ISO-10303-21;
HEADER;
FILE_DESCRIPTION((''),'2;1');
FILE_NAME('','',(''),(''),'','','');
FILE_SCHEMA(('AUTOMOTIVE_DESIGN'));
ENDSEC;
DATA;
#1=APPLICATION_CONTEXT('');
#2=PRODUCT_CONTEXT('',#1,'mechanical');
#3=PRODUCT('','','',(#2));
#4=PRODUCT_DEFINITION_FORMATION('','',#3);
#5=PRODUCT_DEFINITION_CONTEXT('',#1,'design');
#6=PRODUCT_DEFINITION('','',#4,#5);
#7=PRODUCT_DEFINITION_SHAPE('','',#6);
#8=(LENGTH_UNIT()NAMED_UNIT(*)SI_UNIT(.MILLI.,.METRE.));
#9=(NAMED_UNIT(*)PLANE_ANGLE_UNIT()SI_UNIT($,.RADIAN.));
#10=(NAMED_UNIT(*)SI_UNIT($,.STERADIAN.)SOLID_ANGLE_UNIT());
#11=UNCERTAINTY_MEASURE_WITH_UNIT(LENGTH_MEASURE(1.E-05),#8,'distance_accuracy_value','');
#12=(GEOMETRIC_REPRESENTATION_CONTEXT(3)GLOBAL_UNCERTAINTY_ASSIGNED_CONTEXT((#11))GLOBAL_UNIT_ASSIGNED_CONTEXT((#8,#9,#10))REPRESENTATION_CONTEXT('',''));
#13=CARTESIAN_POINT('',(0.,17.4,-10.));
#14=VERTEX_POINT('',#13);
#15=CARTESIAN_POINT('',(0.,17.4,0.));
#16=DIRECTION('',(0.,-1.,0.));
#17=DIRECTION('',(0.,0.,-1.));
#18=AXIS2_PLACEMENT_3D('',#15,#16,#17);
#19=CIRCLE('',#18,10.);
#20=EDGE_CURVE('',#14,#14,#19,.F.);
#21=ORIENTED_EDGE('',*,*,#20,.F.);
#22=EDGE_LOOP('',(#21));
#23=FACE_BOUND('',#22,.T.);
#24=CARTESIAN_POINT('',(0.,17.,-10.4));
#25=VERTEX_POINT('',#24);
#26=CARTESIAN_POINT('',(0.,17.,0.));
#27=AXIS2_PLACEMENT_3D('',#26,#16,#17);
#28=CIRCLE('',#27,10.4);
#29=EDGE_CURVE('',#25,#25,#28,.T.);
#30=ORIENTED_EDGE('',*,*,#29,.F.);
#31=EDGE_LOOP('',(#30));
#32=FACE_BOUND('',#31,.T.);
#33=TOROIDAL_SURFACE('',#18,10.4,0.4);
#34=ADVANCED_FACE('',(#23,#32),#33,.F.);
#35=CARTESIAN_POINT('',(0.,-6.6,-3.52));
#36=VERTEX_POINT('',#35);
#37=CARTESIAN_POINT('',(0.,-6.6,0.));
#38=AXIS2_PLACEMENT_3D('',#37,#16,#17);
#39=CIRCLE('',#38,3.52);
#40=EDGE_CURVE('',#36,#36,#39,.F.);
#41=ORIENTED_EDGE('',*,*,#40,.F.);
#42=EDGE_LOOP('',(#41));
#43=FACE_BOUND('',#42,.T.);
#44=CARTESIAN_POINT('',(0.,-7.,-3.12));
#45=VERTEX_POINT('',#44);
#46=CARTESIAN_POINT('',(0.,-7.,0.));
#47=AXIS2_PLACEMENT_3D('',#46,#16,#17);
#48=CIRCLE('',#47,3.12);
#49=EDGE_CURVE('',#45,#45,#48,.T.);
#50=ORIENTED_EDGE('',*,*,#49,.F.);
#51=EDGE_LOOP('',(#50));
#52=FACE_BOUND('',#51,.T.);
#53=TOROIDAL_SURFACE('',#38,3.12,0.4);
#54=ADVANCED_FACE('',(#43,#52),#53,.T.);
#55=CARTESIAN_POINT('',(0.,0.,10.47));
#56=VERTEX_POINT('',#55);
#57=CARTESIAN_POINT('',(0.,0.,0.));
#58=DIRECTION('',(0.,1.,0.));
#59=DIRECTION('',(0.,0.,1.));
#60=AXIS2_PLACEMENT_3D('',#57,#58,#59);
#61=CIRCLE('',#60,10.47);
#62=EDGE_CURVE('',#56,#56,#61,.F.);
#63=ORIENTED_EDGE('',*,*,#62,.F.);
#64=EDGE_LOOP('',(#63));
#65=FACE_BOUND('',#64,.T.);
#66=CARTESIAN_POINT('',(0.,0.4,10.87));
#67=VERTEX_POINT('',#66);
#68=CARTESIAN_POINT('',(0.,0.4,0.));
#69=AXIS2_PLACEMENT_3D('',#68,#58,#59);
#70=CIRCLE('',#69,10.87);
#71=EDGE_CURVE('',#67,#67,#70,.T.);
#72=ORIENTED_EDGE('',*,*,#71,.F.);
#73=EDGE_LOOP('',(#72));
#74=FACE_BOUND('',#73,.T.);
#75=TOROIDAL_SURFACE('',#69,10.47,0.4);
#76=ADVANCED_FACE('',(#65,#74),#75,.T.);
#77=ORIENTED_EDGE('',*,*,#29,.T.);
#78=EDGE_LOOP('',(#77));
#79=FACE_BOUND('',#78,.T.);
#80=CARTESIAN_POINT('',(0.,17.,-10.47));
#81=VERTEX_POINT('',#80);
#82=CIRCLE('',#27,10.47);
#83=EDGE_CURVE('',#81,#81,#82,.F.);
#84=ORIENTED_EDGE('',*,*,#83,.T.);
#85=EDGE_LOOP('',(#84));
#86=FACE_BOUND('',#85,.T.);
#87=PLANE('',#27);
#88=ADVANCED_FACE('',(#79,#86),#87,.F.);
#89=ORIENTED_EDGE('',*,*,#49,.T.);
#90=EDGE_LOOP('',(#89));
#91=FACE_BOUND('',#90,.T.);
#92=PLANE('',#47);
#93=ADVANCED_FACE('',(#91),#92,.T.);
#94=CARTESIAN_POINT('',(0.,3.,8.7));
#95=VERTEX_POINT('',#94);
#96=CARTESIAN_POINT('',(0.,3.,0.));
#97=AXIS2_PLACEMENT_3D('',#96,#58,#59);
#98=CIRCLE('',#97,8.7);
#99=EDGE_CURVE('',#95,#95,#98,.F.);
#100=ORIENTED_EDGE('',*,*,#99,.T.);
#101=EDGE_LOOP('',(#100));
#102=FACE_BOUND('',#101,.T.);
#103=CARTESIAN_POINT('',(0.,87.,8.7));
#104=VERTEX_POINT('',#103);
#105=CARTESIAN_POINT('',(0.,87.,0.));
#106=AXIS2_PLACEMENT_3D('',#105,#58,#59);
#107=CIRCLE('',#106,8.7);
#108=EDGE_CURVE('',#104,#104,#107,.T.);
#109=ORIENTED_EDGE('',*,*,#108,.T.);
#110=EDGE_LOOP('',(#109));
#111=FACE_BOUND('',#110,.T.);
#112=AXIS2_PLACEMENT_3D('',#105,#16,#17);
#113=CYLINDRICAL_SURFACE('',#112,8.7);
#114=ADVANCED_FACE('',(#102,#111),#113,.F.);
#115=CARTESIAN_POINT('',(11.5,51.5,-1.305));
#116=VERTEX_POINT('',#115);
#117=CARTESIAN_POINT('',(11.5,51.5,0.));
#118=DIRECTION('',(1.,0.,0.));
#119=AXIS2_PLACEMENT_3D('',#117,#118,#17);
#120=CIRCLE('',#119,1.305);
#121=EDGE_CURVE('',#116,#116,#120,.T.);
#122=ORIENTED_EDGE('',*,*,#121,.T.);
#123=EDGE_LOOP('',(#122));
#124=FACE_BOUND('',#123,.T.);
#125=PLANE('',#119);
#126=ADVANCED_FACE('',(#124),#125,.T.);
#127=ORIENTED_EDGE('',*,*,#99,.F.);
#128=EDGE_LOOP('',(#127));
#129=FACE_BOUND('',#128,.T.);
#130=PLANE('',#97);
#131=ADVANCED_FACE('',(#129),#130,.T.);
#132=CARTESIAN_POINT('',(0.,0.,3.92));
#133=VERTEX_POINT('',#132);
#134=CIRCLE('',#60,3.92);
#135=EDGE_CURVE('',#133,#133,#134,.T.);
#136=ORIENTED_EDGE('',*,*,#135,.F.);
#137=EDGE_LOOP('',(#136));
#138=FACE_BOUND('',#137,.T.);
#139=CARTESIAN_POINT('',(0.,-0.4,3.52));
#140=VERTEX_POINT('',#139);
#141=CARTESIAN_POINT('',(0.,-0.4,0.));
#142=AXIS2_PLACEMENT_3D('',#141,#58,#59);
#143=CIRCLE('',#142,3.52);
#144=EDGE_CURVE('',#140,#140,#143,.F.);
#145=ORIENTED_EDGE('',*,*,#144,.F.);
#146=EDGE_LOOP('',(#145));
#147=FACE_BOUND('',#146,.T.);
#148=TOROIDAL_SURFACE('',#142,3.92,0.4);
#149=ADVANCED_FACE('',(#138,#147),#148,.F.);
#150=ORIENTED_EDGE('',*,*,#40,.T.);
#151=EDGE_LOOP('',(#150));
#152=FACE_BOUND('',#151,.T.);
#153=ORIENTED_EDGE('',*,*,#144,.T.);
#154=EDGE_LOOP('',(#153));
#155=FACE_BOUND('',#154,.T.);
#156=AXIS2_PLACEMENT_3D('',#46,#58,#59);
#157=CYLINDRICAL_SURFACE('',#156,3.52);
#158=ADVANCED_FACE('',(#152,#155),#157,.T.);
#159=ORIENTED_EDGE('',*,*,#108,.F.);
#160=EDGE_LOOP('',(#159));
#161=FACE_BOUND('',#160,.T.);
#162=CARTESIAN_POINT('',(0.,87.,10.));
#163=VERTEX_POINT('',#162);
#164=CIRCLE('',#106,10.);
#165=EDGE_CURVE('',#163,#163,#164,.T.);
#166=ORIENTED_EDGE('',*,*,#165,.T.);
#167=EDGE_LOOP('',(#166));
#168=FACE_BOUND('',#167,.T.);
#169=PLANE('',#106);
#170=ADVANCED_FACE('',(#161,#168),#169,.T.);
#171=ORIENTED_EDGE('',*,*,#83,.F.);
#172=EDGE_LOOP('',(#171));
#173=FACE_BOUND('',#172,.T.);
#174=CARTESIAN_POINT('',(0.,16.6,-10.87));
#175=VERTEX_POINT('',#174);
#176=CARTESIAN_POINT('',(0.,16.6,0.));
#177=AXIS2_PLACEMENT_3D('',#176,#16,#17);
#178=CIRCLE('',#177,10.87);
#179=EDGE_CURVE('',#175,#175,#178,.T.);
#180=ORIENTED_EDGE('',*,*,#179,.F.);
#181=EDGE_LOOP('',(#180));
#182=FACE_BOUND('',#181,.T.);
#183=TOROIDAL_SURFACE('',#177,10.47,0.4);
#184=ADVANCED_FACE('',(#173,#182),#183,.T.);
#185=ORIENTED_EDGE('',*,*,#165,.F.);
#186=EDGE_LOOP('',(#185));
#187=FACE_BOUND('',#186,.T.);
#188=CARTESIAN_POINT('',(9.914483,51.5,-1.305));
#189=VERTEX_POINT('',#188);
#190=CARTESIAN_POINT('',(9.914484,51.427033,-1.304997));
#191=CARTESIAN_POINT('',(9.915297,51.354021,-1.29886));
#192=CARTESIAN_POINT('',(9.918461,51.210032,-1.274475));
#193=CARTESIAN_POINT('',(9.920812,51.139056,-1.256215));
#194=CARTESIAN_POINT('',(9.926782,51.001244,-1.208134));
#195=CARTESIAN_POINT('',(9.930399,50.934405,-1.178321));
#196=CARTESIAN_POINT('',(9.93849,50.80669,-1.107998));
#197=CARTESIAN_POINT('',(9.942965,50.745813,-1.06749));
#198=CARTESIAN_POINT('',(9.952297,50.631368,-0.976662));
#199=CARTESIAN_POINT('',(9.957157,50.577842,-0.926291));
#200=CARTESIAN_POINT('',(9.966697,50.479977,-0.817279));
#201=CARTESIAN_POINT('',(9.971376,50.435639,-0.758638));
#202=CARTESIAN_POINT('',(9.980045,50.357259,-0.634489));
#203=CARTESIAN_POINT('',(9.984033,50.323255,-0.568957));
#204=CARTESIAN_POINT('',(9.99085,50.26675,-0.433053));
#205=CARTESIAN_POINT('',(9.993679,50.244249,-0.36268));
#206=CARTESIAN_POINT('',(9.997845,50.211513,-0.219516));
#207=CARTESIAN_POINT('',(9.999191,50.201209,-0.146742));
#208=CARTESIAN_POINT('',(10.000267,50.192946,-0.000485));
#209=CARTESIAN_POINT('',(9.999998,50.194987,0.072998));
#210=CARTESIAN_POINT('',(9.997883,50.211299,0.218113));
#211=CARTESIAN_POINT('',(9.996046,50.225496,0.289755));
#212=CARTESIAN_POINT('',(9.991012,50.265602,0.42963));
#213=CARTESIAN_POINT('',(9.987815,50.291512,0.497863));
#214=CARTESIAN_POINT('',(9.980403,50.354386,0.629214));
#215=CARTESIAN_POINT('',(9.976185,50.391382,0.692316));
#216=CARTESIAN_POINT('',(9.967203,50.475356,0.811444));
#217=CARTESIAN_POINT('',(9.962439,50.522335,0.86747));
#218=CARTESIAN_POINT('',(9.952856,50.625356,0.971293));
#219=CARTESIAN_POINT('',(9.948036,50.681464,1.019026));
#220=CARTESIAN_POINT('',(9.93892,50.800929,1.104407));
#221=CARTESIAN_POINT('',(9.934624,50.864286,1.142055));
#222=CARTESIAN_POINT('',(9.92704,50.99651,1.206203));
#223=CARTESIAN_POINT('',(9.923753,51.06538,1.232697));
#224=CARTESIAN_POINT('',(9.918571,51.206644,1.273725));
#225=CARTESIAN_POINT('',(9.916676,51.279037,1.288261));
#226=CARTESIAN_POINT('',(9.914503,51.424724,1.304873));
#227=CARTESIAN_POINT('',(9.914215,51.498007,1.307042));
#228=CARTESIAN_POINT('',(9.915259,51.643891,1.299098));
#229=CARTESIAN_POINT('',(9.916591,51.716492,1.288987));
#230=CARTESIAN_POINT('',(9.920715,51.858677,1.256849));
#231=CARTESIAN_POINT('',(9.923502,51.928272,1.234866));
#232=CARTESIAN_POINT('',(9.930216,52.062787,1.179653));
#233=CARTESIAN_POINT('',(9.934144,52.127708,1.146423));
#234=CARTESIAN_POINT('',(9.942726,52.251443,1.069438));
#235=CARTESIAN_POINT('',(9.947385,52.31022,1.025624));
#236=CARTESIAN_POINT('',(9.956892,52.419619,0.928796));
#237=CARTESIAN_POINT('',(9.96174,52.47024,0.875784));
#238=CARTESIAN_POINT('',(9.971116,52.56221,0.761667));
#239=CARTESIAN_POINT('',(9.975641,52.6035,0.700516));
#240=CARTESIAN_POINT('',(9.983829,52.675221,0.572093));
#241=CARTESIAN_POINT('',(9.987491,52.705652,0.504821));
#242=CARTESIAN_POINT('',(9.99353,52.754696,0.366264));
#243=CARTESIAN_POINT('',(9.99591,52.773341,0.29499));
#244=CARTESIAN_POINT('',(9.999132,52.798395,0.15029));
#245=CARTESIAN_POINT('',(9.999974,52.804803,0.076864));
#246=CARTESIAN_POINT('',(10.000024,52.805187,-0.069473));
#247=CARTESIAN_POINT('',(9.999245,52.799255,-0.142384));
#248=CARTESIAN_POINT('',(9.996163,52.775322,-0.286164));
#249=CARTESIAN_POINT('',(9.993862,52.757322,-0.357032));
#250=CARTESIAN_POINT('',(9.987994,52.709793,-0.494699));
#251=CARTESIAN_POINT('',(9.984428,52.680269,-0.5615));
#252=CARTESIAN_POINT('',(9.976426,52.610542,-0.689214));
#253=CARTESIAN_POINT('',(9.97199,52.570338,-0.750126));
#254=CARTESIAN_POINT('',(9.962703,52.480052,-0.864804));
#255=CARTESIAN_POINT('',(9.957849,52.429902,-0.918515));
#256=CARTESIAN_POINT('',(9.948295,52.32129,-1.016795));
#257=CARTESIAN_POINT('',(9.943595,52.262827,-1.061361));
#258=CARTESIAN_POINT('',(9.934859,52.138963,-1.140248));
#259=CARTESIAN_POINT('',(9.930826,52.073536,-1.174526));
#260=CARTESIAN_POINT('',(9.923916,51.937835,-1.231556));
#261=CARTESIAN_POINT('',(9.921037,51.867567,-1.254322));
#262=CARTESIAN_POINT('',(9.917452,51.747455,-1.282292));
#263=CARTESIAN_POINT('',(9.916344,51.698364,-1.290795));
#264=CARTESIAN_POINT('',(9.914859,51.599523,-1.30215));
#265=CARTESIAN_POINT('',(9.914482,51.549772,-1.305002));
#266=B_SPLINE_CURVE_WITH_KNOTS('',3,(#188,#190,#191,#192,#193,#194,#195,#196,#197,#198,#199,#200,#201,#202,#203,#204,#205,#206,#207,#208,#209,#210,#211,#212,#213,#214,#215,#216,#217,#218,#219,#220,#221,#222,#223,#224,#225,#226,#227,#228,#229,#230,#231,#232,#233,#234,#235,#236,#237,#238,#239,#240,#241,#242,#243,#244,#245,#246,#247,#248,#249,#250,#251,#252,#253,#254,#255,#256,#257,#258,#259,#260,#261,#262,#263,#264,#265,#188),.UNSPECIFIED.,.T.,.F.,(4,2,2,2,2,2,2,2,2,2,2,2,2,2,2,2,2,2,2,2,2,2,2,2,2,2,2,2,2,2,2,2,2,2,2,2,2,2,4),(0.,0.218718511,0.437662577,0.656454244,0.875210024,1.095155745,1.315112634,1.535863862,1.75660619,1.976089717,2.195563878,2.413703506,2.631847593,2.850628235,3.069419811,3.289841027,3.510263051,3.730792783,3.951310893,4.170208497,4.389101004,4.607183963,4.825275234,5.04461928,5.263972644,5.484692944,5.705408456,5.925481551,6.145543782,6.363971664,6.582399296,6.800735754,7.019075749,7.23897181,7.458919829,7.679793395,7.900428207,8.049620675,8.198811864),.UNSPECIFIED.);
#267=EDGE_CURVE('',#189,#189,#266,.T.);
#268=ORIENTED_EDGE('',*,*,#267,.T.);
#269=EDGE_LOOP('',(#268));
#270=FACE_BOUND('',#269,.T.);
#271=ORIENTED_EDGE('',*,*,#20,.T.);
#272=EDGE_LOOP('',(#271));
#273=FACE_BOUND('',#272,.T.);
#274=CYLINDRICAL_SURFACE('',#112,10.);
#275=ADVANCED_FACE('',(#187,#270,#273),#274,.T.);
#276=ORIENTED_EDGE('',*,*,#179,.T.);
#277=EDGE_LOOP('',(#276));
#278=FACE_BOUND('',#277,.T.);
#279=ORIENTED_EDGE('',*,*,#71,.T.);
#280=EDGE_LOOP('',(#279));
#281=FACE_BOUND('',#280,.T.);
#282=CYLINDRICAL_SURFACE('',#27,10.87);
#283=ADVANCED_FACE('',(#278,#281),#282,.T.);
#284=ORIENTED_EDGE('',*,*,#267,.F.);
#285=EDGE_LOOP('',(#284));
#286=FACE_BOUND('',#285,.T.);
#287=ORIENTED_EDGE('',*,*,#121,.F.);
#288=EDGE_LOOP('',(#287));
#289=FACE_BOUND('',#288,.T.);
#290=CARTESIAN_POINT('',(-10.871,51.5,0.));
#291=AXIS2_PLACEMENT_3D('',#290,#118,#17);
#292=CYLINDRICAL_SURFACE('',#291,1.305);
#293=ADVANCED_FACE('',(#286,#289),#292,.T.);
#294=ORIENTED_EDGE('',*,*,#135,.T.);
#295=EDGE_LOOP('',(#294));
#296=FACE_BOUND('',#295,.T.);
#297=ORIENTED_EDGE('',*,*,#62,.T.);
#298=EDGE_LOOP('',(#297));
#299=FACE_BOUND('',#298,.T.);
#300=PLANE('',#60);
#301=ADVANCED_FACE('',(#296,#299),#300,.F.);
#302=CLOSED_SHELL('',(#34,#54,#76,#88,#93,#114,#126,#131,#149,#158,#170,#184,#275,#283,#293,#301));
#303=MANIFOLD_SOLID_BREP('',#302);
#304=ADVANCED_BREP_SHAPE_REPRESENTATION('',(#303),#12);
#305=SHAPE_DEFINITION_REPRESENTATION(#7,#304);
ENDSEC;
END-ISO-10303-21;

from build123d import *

# Parameters (mm, degrees)
SKETCH1_R           = 10
SKETCH1_R_2         = 8.7
BOSS_EXTRUDE1_DEPTH = 87
SKETCH2_R           = 10.87
BOSS_EXTRUDE2_DEPTH = 17
SKETCH3_R           = 3.52
BOSS_EXTRUDE3_DEPTH = 7
SKETCH4_R           = 8.7
CUT_EXTRUDE1_DEPTH  = 14
BOSS_EXTRUDE4_START = -0.085517
SKETCH5_R           = 1.305
BOSS_EXTRUDE4_DEPTH = 1.585517
FILLET1_R           = 0.4


with BuildPart() as part:
    # Sketch1 → Boss-Extrude1 (new body)
    with BuildSketch(Plane(origin=(0, 0, 0), x_dir=(1, 0, 0), z_dir=(0, 1, 0))):
        Circle(SKETCH1_R)
        Circle(SKETCH1_R_2, mode=Mode.SUBTRACT)
    extrude(amount=BOSS_EXTRUDE1_DEPTH)

    # Sketch2 → Boss-Extrude2 (add)
    with BuildSketch(Plane.XZ):
        Circle(SKETCH2_R)
    extrude(amount=-BOSS_EXTRUDE2_DEPTH)

    # Sketch3 → Boss-Extrude3 (add)
    with BuildSketch(Plane.XZ):
        Circle(SKETCH3_R)
    extrude(amount=BOSS_EXTRUDE3_DEPTH)

    # Sketch4 → Cut-Extrude1 (cut)
    with BuildSketch(Plane(origin=(0, 17, 0), x_dir=(1, 0, 0), z_dir=(0, 1, 0))):
        Circle(SKETCH4_R)
    extrude(amount=-CUT_EXTRUDE1_DEPTH, mode=Mode.SUBTRACT)

    # Sketch5 → Boss-Extrude4 (add)
    with BuildSketch(Plane(origin=(10, 0, 0), x_dir=(0, 0, -1), z_dir=(1, 0, 0)).offset(BOSS_EXTRUDE4_START)):
        with Locations((0, 51.5)):
            Circle(SKETCH5_R)
    extrude(amount=BOSS_EXTRUDE4_DEPTH)

    # Fillet1
    fillet1_edges = [part.edges().sort_by_distance(p)[0] for p in [
        (-10, 17, 0),
        (-10.87, 17, 0),
        (-10.87, 0, 0),
        (-3.52, 0, 0),
        (-3.52, -7, 0),
    ]]
    fillet(fillet1_edges, radius=FILLET1_R)


solid = part.part
